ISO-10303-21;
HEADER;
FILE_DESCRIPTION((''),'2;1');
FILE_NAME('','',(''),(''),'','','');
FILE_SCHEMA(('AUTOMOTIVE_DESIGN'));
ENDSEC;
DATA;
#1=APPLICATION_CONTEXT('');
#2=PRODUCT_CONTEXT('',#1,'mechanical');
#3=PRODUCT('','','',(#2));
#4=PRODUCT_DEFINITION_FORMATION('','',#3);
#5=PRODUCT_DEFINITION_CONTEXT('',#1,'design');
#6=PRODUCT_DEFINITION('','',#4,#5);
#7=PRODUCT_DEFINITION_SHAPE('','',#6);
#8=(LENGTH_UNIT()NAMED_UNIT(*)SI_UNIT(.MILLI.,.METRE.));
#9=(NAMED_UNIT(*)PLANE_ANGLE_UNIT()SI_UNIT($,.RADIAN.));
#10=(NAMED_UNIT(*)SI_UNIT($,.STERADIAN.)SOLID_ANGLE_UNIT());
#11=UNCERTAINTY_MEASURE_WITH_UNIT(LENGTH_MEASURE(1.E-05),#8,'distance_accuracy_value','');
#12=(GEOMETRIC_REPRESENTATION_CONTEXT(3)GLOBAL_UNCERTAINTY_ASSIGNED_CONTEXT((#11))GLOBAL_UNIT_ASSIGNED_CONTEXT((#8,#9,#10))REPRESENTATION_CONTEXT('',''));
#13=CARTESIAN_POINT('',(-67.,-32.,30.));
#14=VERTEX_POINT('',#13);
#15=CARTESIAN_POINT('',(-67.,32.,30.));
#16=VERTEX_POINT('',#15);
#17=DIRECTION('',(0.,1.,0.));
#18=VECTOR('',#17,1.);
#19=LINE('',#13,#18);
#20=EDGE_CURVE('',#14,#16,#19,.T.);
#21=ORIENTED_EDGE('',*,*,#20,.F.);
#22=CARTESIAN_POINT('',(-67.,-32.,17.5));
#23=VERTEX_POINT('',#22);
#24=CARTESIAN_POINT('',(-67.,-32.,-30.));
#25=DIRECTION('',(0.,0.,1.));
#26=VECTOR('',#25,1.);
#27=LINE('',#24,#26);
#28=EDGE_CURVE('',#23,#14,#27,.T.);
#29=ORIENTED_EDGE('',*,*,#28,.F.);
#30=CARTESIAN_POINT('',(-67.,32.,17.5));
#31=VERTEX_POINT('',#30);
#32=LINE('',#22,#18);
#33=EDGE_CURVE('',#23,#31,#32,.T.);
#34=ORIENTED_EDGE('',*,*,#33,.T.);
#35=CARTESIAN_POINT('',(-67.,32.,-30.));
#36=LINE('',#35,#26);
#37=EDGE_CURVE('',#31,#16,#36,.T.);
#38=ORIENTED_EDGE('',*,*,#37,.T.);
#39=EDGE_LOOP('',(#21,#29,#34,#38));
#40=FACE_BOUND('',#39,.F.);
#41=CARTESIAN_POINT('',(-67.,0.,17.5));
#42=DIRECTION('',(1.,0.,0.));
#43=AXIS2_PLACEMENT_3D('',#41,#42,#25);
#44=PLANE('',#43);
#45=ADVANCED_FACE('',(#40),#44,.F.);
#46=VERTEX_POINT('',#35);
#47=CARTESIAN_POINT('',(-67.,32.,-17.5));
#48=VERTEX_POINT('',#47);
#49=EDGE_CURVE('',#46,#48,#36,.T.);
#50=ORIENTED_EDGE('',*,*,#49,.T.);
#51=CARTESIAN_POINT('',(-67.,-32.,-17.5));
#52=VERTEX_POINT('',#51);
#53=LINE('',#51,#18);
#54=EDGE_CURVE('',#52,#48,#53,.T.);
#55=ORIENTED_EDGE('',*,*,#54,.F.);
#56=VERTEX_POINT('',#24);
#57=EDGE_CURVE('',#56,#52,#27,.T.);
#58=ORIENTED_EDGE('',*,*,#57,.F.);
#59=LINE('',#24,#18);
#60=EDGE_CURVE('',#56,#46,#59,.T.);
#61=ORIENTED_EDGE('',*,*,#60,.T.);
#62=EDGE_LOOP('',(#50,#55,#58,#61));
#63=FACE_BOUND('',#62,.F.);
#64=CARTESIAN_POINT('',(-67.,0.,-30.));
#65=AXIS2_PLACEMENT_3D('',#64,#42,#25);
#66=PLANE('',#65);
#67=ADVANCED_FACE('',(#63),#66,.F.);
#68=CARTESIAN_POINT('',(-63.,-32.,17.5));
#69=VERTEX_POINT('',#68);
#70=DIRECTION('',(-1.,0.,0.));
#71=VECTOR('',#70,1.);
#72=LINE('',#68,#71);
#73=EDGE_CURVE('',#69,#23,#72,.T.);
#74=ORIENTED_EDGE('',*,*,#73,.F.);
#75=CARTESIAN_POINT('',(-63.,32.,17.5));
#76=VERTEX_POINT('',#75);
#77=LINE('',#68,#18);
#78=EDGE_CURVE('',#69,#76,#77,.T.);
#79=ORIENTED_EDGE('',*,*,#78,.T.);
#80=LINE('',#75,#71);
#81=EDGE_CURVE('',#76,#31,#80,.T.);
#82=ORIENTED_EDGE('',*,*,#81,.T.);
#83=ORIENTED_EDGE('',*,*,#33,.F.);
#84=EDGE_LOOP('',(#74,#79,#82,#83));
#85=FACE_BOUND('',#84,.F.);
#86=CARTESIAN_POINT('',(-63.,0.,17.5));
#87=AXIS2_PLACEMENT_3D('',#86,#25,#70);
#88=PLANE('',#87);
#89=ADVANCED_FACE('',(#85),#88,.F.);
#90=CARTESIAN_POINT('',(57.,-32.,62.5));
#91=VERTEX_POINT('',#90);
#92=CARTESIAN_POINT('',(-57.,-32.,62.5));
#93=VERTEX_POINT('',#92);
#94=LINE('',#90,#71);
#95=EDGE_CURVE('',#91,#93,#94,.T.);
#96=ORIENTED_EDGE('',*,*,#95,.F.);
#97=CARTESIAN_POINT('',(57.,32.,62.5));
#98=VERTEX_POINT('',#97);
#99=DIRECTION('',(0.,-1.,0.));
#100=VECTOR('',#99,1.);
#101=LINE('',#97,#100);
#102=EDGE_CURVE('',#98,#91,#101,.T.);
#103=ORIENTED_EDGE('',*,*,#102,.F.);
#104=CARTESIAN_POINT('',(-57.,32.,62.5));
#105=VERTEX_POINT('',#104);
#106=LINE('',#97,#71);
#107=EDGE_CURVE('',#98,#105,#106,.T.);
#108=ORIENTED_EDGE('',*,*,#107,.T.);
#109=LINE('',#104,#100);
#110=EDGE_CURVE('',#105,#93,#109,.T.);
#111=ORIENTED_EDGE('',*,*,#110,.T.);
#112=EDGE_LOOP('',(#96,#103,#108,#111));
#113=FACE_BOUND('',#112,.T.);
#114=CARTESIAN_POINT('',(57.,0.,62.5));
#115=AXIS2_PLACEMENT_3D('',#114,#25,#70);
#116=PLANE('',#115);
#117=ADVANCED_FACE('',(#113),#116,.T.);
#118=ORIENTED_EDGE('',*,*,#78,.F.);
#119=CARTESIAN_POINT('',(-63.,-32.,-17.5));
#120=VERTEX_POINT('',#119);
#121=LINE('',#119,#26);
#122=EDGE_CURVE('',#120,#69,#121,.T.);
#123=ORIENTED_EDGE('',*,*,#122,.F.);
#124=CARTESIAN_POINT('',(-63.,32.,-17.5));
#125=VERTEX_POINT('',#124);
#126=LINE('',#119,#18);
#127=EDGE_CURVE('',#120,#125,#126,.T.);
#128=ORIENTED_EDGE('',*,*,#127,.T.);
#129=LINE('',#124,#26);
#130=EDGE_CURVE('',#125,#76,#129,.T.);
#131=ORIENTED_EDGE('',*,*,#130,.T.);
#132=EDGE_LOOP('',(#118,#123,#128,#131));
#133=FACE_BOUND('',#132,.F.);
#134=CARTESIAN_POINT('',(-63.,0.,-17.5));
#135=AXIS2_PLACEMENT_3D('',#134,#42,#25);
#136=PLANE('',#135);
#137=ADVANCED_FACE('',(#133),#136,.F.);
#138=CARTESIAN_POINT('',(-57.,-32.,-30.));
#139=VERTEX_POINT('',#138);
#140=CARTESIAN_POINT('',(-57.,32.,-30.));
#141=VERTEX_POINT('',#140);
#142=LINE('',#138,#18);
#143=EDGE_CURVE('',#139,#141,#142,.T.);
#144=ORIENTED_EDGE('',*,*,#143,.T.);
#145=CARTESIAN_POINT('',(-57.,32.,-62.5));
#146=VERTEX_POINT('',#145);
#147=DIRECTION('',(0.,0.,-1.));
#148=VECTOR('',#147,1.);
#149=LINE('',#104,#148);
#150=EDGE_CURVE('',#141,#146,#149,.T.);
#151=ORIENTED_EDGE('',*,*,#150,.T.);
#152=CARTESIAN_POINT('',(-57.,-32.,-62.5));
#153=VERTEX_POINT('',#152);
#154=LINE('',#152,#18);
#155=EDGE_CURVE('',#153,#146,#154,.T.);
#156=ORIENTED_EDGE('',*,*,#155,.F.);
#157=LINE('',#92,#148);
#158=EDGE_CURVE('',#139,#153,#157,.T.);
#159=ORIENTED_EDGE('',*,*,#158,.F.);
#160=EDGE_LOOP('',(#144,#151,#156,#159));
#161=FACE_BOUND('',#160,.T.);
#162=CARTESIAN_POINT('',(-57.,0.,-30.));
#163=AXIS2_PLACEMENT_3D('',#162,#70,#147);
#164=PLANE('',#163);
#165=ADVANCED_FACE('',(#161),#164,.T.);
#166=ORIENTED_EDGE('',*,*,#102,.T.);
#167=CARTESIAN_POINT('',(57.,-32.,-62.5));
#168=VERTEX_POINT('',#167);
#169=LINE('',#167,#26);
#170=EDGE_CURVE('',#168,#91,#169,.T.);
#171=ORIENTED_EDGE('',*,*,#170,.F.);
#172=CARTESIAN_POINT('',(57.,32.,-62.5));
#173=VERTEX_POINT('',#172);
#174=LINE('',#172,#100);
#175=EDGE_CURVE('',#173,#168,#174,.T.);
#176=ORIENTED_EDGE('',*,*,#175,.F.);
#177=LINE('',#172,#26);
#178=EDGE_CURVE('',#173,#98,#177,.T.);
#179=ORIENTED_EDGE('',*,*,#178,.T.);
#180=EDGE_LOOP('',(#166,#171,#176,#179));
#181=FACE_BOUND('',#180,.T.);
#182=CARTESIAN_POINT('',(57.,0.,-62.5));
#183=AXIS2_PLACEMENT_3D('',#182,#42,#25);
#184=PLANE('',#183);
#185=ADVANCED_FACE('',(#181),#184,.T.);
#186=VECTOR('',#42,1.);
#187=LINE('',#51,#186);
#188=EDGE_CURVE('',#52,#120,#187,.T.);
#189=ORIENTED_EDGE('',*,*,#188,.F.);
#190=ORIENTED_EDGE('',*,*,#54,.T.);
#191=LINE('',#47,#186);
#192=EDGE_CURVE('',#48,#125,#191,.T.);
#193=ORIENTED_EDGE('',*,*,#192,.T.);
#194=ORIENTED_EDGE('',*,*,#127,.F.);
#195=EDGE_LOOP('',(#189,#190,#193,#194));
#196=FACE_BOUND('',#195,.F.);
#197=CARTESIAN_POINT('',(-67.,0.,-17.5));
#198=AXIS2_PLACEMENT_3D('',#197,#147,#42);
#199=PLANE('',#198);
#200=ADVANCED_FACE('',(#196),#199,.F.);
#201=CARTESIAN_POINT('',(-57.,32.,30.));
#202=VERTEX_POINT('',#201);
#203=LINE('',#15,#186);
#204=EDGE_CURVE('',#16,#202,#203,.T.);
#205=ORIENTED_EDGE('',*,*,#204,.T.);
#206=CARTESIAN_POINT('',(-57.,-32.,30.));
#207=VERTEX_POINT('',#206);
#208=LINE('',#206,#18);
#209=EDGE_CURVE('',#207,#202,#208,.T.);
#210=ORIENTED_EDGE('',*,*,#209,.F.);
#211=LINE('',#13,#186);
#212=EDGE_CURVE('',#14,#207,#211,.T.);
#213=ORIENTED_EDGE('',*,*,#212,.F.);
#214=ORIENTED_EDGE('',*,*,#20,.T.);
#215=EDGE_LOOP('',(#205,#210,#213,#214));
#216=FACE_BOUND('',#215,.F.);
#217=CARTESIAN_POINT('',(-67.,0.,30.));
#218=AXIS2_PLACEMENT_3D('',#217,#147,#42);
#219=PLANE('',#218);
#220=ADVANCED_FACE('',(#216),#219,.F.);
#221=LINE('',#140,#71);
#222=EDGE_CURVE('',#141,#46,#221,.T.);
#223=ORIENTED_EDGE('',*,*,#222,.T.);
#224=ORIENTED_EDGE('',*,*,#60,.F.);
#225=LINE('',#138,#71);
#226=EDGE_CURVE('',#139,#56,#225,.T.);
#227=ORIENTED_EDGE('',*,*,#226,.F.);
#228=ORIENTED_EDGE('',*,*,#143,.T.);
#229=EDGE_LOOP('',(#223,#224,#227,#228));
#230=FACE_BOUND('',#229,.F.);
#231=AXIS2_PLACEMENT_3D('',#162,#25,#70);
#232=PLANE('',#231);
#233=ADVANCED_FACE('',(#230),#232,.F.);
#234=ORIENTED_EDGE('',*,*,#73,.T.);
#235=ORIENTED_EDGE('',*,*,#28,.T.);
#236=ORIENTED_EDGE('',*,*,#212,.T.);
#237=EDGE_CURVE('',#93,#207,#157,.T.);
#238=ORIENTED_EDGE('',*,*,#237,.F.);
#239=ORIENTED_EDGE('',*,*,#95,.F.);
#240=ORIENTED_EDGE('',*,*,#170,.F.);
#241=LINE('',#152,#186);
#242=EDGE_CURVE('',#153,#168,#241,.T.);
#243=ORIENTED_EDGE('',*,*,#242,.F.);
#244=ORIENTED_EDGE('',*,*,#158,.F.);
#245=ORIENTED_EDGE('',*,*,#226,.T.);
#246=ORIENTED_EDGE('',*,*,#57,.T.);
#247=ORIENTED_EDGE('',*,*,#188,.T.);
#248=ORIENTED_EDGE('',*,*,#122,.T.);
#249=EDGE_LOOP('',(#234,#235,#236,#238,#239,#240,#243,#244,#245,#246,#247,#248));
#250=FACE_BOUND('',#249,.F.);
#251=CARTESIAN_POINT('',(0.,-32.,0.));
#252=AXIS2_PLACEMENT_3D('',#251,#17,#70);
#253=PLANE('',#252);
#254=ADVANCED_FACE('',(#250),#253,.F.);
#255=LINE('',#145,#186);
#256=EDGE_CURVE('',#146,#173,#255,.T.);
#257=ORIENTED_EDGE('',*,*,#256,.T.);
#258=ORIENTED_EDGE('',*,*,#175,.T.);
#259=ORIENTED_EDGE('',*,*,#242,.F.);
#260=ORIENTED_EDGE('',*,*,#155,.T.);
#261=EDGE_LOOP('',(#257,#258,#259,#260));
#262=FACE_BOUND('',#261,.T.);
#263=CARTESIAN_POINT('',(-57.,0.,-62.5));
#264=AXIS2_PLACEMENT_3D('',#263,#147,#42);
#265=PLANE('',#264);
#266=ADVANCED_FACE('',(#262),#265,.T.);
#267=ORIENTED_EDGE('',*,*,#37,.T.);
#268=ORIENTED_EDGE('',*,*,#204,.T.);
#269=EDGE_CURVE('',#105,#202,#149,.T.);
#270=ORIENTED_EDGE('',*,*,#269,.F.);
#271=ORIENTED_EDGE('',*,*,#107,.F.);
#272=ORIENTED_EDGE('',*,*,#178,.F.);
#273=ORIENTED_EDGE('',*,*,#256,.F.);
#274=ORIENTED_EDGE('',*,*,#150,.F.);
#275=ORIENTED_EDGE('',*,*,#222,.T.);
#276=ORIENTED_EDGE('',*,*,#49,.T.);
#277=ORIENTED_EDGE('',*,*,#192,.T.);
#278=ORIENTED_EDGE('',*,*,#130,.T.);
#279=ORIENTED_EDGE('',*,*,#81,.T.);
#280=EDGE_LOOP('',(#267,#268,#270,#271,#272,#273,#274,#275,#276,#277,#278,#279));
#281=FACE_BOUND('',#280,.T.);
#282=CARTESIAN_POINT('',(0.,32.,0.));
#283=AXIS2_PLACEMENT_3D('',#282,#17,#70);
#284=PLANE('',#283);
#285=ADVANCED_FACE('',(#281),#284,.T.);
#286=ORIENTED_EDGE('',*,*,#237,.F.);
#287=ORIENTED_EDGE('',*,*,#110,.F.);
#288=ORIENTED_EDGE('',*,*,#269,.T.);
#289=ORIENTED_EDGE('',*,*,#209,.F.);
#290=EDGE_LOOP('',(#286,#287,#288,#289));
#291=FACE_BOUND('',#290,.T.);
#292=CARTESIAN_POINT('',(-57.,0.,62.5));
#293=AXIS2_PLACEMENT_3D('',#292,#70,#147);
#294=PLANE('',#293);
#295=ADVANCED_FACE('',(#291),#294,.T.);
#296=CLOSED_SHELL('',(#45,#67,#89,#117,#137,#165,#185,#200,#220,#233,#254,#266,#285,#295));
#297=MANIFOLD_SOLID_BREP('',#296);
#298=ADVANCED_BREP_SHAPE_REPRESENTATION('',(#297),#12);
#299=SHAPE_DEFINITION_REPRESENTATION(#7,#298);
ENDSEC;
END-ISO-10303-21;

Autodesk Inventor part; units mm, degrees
ref_plane "YZ Plane" through (0, 0, 0) normal (1, 0, 0) x (0, 1, 0)
ref_plane "XZ Plane" through (0, 0, 0) normal (0, 1, 0) x (-1, 0, 0)
ref_plane "XY Plane" through (0, 0, 0) normal (0, 0, 1) x (1, 0, 0)
sketch "Sketch2" plane through (0, 0, 0) normal (0, 1, 0) x (-1, 0, 0)
  line L0 (57, -62.5) -> (-57, -62.5)
  line L1 (-57, -62.5) -> (-57, 62.5)
  line L2 (-57, 62.5) -> (57, 62.5)
  line L3 (57, 62.5) -> (57, -62.5)
  line L4 (57, -62.5) -> (-57, 62.5) construction
  line L5 (-57, -62.5) -> (57, 62.5) construction
  line L6 (57, 30) -> (57, -30)
  line L7 (57, -30) -> (67, -30)
  line L8 (67, -30) -> (67, 30)
  line L9 (67, 30) -> (57, 30)
  line L10 (67, 17.5) -> (67, -17.5)
  line L11 (67, -17.5) -> (63, -17.5)
  line L12 (63, -17.5) -> (63, 17.5)
  line L13 (63, 17.5) -> (67, 17.5)
  line L14 (63, 0) -> (57, 0) construction
  line L15 (67, 0) -> (57, 0) construction
  line L16 (67, 0) -> (57, 0) construction
  point P0 (0, 0)
  dimension "d0" = 114
  dimension "d1" = 125
  dimension "d2" = 6
  dimension "d3" = 10
  dimension "d4" = 35
  dimension "d5" = 60
  dimension "d6" = 12.5
extrude "Extrusion1" add sketch "Sketch2" along normal mid plane 64 contours L0 L1 L2 L3 | L3 L9 L8 L13 L12 L11 L7
properties part number "MW_WDR_240_24"
